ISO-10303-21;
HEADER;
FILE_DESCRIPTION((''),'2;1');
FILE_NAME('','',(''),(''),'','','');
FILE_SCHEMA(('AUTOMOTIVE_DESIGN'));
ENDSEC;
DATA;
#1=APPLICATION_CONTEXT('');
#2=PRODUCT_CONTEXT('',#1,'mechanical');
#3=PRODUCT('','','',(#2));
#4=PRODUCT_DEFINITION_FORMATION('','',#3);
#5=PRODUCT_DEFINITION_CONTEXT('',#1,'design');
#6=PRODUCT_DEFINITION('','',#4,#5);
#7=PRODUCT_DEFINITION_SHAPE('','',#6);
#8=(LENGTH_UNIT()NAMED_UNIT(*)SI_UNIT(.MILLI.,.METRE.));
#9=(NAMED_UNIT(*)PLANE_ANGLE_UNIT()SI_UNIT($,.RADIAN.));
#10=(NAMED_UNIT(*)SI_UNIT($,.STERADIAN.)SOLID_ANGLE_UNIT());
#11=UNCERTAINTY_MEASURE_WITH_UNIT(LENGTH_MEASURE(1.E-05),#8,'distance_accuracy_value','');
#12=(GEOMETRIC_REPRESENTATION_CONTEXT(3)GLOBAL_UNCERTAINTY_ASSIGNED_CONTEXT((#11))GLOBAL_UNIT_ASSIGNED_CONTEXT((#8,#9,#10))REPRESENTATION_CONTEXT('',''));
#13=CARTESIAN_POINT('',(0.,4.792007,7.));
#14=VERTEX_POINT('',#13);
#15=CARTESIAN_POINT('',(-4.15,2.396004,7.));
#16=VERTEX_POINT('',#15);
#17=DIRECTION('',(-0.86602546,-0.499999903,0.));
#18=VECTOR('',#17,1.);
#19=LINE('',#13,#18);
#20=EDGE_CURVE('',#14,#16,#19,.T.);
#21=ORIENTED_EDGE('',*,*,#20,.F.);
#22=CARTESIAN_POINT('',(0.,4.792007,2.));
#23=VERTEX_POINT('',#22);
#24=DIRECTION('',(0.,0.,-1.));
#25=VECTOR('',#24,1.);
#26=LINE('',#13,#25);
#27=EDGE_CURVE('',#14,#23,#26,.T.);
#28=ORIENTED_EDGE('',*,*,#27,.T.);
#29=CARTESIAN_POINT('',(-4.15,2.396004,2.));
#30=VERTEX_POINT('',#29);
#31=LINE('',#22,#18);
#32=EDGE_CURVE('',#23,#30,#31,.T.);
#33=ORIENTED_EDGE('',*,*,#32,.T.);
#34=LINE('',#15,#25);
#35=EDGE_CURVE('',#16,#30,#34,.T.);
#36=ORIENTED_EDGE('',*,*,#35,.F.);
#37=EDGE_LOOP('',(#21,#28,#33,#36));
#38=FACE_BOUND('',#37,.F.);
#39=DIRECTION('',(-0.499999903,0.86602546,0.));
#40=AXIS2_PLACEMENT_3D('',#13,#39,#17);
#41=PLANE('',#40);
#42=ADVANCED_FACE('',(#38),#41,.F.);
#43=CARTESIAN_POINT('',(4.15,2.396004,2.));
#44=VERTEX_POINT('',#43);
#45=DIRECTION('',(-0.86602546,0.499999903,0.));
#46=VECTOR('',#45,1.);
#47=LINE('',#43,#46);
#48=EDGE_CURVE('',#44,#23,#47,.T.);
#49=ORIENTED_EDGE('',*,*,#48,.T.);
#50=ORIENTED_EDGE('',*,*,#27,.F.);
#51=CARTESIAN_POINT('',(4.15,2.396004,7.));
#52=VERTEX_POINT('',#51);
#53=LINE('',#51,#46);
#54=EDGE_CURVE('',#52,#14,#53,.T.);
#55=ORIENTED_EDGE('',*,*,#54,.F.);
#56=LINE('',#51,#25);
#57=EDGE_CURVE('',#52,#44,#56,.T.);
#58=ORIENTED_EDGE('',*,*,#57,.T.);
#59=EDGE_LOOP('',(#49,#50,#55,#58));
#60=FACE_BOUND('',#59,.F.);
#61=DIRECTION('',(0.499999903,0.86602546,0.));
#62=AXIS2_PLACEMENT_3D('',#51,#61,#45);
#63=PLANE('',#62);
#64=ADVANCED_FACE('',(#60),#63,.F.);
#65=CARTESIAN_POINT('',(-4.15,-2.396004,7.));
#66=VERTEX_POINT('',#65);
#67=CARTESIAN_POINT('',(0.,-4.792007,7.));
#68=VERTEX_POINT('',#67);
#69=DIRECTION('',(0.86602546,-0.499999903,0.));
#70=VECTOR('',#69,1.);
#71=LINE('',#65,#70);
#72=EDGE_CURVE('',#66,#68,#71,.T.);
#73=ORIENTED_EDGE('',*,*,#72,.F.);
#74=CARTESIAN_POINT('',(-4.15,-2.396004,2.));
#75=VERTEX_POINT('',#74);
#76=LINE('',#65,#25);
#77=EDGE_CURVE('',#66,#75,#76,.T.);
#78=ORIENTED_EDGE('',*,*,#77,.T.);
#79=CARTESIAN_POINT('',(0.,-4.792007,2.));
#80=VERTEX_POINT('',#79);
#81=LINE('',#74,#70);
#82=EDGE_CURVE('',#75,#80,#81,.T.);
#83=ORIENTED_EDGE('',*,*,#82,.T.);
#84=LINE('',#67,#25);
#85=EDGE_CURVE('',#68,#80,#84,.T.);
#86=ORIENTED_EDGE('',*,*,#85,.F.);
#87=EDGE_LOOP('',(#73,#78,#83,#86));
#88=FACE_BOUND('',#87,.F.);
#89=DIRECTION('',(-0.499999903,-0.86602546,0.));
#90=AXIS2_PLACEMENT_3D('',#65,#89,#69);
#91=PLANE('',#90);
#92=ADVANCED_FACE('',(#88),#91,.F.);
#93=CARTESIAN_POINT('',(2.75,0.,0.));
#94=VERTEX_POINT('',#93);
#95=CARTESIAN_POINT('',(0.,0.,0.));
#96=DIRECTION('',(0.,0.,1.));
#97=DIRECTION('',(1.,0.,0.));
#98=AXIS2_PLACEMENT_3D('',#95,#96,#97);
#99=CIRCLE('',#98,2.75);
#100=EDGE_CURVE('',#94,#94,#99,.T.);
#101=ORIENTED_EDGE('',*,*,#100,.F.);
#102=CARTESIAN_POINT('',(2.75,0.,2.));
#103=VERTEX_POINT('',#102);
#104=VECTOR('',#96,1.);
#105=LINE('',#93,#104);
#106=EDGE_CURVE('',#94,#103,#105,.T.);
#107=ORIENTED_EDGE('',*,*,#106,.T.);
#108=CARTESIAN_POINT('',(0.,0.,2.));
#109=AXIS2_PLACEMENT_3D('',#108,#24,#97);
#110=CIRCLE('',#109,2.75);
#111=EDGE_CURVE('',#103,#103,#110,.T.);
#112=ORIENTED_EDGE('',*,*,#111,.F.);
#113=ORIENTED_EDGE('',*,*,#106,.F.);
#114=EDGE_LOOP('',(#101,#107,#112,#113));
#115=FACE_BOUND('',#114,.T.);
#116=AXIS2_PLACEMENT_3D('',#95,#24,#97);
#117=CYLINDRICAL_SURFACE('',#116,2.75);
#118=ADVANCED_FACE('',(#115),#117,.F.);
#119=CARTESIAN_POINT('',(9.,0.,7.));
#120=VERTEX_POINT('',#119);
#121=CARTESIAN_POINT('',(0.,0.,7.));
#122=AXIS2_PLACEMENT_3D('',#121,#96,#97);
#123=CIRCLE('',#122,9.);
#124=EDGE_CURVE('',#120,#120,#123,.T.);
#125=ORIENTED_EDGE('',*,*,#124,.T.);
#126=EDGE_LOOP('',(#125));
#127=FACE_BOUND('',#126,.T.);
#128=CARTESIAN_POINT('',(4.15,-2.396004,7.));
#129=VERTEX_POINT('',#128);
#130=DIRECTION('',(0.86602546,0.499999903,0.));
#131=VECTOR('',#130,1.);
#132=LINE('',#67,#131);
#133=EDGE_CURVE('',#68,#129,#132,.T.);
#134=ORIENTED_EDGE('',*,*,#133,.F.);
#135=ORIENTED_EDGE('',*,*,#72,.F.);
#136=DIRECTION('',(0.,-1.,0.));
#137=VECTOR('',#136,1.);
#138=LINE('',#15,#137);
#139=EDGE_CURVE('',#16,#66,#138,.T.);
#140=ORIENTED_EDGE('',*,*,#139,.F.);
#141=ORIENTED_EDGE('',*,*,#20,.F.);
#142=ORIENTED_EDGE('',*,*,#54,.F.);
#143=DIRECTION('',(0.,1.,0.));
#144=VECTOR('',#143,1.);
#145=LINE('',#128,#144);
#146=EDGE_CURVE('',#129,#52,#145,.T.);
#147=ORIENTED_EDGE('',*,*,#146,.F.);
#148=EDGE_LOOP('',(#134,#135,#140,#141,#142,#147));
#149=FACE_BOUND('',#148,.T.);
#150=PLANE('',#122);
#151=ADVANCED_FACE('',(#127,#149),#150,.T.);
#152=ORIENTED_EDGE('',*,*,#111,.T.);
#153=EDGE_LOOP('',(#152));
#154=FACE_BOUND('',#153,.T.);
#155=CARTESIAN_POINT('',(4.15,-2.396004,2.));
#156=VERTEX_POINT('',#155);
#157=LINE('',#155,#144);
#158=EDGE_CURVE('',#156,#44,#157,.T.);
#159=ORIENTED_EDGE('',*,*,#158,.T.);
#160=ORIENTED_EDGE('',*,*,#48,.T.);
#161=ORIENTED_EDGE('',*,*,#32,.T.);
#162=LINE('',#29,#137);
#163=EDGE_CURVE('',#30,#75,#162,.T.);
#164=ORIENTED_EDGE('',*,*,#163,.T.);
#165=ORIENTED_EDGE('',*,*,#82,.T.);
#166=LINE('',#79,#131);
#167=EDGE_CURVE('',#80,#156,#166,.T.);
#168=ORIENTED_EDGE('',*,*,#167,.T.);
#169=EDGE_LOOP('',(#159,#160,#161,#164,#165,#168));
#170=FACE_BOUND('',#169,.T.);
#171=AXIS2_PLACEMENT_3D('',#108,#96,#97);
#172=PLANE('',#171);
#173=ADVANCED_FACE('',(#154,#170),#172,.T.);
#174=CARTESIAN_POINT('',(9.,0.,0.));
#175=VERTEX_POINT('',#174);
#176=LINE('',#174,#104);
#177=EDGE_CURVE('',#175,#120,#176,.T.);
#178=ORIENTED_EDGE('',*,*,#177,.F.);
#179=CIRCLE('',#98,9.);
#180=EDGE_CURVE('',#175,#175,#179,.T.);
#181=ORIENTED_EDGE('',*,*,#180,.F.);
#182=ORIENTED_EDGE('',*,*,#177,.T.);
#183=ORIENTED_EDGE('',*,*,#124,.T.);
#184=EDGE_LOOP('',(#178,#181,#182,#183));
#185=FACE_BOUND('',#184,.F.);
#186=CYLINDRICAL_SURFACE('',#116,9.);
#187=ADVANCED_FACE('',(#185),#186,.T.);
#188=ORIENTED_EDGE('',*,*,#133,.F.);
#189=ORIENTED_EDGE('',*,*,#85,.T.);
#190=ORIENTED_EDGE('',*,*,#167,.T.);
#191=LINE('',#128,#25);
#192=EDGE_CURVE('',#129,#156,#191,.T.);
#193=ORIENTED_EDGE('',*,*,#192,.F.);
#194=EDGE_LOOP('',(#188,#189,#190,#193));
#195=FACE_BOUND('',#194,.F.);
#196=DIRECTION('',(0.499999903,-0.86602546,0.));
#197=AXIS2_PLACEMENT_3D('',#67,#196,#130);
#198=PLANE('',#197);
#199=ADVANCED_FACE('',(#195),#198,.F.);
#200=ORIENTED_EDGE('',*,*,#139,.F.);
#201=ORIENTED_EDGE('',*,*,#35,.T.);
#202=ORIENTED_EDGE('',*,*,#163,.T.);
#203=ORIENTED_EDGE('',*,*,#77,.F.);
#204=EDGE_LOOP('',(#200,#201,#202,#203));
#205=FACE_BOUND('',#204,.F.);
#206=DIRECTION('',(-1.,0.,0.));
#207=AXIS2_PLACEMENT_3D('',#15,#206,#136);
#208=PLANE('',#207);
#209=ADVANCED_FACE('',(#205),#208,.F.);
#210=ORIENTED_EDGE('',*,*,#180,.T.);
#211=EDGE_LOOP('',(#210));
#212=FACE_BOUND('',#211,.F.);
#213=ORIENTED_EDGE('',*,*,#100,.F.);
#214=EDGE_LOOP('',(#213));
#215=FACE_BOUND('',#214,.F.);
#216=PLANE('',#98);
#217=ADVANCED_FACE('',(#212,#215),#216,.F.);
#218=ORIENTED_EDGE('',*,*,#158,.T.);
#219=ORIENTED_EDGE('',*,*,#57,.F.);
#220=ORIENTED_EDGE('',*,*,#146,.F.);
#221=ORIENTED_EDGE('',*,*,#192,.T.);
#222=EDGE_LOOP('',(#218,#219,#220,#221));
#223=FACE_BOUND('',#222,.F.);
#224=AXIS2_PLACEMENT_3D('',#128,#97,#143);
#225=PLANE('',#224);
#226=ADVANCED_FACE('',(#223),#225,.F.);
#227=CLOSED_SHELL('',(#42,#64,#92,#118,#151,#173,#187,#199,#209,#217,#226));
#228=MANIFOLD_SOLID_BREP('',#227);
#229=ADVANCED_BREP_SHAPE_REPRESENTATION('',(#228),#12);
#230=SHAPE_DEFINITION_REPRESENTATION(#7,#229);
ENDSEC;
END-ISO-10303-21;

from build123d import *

# Parameters (mm, degrees)
F0_R     = 9
F0_R_2   = 2.75
F1_DEPTH = 7
F3_DEPTH = 5


with BuildPart() as f1:
    # F0 (on Top) → F1 (new body)
    with BuildSketch(Plane.XY):
        Circle(F0_R)
        Circle(F0_R_2, mode=Mode.SUBTRACT)
    extrude(amount=F1_DEPTH)

    # F2 (on face) → F3 (cut)
    with BuildSketch(Plane.XY.offset(7)):
        Polygon((-4.15, 2.396004), (-4.15, -2.396004), (0, -4.792007), (4.15, -2.396004), (4.15, 2.396004), (0, 4.792007), align=None)
    extrude(amount=-F3_DEPTH, mode=Mode.SUBTRACT)


solid = f1.part
